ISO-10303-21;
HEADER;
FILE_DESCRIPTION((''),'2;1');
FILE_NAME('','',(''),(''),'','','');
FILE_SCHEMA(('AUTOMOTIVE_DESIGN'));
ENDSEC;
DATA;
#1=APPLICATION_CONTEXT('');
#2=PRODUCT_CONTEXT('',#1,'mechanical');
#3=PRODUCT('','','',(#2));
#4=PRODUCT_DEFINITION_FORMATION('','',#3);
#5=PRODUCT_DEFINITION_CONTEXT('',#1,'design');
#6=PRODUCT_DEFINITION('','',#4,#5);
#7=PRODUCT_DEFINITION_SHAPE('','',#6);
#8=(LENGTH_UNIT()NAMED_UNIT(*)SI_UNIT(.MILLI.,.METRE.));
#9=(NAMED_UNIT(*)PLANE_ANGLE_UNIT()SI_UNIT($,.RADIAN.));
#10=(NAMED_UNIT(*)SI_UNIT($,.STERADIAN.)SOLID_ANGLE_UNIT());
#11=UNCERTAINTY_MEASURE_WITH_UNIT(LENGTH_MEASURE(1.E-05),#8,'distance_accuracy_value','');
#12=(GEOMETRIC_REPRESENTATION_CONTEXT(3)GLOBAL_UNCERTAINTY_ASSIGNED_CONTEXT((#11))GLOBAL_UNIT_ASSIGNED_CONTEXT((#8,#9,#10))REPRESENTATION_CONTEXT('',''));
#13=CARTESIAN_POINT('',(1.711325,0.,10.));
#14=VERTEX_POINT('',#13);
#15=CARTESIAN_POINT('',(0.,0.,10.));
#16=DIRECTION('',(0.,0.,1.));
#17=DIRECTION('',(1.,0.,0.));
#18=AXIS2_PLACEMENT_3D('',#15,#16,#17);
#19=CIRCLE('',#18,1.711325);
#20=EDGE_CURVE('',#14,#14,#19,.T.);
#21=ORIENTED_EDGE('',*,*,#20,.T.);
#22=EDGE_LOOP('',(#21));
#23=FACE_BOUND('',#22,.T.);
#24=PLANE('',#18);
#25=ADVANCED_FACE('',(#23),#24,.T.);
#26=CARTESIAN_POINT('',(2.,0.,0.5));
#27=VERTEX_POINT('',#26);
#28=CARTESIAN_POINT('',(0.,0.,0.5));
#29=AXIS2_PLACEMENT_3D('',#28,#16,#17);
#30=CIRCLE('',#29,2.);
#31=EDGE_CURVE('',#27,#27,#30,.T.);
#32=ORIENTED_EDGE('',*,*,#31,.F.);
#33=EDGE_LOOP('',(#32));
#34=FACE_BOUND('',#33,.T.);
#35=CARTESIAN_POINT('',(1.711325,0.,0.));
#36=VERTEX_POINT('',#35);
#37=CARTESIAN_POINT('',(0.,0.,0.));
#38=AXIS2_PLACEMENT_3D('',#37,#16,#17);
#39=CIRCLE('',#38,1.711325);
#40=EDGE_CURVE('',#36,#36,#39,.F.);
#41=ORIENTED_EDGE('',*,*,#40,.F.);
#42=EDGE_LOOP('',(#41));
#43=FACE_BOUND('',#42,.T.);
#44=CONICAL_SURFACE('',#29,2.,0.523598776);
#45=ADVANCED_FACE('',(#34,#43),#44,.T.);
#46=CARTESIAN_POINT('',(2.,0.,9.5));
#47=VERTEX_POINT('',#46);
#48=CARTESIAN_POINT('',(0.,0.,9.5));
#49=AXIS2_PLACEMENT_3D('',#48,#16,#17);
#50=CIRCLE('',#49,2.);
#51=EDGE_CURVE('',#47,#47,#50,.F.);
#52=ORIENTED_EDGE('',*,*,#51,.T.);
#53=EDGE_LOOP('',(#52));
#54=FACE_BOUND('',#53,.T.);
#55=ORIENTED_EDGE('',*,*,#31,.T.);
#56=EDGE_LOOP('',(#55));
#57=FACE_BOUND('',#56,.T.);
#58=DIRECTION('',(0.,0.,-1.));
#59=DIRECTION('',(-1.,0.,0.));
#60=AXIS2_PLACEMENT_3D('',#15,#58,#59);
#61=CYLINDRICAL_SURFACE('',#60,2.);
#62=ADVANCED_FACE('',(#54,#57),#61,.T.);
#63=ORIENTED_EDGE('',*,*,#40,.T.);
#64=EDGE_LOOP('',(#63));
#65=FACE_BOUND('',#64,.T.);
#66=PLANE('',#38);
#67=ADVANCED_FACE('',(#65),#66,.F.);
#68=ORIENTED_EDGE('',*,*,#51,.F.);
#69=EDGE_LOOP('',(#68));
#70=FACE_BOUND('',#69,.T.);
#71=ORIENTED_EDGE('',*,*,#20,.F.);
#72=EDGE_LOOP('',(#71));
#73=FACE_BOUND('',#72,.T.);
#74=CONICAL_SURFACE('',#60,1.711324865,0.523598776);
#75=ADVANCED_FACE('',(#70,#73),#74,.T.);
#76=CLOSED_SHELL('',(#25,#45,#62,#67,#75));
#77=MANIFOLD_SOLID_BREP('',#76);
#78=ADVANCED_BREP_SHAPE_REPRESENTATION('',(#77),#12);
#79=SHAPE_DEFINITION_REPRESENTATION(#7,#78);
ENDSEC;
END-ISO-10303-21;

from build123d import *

# Parameters (mm, degrees)
SKETCH1_R           = 2
BOSS_EXTRUDE1_DEPTH = 10
CHAMFER1_SIZE       = 0.5
CHAMFER1_SIZE2      = 0.288675135


with BuildPart() as part:
    # Sketch1 → Boss-Extrude1 (new body)
    with BuildSketch(Plane.XY):
        Circle(SKETCH1_R)
    extrude(amount=BOSS_EXTRUDE1_DEPTH)

    # Chamfer1
    chamfer1_edges = [part.edges().sort_by_distance(p)[0] for p in [
        (-2, 0, 0),
        (-2, 0, 10),
    ]]
    chamfer1_side = [part.faces().sort_by_distance(p)[0] for p in [
        (-2, 0, 5),
    ]]
    chamfer(chamfer1_edges, length=CHAMFER1_SIZE, length2=CHAMFER1_SIZE2, reference=chamfer1_side[0])


solid = part.part
